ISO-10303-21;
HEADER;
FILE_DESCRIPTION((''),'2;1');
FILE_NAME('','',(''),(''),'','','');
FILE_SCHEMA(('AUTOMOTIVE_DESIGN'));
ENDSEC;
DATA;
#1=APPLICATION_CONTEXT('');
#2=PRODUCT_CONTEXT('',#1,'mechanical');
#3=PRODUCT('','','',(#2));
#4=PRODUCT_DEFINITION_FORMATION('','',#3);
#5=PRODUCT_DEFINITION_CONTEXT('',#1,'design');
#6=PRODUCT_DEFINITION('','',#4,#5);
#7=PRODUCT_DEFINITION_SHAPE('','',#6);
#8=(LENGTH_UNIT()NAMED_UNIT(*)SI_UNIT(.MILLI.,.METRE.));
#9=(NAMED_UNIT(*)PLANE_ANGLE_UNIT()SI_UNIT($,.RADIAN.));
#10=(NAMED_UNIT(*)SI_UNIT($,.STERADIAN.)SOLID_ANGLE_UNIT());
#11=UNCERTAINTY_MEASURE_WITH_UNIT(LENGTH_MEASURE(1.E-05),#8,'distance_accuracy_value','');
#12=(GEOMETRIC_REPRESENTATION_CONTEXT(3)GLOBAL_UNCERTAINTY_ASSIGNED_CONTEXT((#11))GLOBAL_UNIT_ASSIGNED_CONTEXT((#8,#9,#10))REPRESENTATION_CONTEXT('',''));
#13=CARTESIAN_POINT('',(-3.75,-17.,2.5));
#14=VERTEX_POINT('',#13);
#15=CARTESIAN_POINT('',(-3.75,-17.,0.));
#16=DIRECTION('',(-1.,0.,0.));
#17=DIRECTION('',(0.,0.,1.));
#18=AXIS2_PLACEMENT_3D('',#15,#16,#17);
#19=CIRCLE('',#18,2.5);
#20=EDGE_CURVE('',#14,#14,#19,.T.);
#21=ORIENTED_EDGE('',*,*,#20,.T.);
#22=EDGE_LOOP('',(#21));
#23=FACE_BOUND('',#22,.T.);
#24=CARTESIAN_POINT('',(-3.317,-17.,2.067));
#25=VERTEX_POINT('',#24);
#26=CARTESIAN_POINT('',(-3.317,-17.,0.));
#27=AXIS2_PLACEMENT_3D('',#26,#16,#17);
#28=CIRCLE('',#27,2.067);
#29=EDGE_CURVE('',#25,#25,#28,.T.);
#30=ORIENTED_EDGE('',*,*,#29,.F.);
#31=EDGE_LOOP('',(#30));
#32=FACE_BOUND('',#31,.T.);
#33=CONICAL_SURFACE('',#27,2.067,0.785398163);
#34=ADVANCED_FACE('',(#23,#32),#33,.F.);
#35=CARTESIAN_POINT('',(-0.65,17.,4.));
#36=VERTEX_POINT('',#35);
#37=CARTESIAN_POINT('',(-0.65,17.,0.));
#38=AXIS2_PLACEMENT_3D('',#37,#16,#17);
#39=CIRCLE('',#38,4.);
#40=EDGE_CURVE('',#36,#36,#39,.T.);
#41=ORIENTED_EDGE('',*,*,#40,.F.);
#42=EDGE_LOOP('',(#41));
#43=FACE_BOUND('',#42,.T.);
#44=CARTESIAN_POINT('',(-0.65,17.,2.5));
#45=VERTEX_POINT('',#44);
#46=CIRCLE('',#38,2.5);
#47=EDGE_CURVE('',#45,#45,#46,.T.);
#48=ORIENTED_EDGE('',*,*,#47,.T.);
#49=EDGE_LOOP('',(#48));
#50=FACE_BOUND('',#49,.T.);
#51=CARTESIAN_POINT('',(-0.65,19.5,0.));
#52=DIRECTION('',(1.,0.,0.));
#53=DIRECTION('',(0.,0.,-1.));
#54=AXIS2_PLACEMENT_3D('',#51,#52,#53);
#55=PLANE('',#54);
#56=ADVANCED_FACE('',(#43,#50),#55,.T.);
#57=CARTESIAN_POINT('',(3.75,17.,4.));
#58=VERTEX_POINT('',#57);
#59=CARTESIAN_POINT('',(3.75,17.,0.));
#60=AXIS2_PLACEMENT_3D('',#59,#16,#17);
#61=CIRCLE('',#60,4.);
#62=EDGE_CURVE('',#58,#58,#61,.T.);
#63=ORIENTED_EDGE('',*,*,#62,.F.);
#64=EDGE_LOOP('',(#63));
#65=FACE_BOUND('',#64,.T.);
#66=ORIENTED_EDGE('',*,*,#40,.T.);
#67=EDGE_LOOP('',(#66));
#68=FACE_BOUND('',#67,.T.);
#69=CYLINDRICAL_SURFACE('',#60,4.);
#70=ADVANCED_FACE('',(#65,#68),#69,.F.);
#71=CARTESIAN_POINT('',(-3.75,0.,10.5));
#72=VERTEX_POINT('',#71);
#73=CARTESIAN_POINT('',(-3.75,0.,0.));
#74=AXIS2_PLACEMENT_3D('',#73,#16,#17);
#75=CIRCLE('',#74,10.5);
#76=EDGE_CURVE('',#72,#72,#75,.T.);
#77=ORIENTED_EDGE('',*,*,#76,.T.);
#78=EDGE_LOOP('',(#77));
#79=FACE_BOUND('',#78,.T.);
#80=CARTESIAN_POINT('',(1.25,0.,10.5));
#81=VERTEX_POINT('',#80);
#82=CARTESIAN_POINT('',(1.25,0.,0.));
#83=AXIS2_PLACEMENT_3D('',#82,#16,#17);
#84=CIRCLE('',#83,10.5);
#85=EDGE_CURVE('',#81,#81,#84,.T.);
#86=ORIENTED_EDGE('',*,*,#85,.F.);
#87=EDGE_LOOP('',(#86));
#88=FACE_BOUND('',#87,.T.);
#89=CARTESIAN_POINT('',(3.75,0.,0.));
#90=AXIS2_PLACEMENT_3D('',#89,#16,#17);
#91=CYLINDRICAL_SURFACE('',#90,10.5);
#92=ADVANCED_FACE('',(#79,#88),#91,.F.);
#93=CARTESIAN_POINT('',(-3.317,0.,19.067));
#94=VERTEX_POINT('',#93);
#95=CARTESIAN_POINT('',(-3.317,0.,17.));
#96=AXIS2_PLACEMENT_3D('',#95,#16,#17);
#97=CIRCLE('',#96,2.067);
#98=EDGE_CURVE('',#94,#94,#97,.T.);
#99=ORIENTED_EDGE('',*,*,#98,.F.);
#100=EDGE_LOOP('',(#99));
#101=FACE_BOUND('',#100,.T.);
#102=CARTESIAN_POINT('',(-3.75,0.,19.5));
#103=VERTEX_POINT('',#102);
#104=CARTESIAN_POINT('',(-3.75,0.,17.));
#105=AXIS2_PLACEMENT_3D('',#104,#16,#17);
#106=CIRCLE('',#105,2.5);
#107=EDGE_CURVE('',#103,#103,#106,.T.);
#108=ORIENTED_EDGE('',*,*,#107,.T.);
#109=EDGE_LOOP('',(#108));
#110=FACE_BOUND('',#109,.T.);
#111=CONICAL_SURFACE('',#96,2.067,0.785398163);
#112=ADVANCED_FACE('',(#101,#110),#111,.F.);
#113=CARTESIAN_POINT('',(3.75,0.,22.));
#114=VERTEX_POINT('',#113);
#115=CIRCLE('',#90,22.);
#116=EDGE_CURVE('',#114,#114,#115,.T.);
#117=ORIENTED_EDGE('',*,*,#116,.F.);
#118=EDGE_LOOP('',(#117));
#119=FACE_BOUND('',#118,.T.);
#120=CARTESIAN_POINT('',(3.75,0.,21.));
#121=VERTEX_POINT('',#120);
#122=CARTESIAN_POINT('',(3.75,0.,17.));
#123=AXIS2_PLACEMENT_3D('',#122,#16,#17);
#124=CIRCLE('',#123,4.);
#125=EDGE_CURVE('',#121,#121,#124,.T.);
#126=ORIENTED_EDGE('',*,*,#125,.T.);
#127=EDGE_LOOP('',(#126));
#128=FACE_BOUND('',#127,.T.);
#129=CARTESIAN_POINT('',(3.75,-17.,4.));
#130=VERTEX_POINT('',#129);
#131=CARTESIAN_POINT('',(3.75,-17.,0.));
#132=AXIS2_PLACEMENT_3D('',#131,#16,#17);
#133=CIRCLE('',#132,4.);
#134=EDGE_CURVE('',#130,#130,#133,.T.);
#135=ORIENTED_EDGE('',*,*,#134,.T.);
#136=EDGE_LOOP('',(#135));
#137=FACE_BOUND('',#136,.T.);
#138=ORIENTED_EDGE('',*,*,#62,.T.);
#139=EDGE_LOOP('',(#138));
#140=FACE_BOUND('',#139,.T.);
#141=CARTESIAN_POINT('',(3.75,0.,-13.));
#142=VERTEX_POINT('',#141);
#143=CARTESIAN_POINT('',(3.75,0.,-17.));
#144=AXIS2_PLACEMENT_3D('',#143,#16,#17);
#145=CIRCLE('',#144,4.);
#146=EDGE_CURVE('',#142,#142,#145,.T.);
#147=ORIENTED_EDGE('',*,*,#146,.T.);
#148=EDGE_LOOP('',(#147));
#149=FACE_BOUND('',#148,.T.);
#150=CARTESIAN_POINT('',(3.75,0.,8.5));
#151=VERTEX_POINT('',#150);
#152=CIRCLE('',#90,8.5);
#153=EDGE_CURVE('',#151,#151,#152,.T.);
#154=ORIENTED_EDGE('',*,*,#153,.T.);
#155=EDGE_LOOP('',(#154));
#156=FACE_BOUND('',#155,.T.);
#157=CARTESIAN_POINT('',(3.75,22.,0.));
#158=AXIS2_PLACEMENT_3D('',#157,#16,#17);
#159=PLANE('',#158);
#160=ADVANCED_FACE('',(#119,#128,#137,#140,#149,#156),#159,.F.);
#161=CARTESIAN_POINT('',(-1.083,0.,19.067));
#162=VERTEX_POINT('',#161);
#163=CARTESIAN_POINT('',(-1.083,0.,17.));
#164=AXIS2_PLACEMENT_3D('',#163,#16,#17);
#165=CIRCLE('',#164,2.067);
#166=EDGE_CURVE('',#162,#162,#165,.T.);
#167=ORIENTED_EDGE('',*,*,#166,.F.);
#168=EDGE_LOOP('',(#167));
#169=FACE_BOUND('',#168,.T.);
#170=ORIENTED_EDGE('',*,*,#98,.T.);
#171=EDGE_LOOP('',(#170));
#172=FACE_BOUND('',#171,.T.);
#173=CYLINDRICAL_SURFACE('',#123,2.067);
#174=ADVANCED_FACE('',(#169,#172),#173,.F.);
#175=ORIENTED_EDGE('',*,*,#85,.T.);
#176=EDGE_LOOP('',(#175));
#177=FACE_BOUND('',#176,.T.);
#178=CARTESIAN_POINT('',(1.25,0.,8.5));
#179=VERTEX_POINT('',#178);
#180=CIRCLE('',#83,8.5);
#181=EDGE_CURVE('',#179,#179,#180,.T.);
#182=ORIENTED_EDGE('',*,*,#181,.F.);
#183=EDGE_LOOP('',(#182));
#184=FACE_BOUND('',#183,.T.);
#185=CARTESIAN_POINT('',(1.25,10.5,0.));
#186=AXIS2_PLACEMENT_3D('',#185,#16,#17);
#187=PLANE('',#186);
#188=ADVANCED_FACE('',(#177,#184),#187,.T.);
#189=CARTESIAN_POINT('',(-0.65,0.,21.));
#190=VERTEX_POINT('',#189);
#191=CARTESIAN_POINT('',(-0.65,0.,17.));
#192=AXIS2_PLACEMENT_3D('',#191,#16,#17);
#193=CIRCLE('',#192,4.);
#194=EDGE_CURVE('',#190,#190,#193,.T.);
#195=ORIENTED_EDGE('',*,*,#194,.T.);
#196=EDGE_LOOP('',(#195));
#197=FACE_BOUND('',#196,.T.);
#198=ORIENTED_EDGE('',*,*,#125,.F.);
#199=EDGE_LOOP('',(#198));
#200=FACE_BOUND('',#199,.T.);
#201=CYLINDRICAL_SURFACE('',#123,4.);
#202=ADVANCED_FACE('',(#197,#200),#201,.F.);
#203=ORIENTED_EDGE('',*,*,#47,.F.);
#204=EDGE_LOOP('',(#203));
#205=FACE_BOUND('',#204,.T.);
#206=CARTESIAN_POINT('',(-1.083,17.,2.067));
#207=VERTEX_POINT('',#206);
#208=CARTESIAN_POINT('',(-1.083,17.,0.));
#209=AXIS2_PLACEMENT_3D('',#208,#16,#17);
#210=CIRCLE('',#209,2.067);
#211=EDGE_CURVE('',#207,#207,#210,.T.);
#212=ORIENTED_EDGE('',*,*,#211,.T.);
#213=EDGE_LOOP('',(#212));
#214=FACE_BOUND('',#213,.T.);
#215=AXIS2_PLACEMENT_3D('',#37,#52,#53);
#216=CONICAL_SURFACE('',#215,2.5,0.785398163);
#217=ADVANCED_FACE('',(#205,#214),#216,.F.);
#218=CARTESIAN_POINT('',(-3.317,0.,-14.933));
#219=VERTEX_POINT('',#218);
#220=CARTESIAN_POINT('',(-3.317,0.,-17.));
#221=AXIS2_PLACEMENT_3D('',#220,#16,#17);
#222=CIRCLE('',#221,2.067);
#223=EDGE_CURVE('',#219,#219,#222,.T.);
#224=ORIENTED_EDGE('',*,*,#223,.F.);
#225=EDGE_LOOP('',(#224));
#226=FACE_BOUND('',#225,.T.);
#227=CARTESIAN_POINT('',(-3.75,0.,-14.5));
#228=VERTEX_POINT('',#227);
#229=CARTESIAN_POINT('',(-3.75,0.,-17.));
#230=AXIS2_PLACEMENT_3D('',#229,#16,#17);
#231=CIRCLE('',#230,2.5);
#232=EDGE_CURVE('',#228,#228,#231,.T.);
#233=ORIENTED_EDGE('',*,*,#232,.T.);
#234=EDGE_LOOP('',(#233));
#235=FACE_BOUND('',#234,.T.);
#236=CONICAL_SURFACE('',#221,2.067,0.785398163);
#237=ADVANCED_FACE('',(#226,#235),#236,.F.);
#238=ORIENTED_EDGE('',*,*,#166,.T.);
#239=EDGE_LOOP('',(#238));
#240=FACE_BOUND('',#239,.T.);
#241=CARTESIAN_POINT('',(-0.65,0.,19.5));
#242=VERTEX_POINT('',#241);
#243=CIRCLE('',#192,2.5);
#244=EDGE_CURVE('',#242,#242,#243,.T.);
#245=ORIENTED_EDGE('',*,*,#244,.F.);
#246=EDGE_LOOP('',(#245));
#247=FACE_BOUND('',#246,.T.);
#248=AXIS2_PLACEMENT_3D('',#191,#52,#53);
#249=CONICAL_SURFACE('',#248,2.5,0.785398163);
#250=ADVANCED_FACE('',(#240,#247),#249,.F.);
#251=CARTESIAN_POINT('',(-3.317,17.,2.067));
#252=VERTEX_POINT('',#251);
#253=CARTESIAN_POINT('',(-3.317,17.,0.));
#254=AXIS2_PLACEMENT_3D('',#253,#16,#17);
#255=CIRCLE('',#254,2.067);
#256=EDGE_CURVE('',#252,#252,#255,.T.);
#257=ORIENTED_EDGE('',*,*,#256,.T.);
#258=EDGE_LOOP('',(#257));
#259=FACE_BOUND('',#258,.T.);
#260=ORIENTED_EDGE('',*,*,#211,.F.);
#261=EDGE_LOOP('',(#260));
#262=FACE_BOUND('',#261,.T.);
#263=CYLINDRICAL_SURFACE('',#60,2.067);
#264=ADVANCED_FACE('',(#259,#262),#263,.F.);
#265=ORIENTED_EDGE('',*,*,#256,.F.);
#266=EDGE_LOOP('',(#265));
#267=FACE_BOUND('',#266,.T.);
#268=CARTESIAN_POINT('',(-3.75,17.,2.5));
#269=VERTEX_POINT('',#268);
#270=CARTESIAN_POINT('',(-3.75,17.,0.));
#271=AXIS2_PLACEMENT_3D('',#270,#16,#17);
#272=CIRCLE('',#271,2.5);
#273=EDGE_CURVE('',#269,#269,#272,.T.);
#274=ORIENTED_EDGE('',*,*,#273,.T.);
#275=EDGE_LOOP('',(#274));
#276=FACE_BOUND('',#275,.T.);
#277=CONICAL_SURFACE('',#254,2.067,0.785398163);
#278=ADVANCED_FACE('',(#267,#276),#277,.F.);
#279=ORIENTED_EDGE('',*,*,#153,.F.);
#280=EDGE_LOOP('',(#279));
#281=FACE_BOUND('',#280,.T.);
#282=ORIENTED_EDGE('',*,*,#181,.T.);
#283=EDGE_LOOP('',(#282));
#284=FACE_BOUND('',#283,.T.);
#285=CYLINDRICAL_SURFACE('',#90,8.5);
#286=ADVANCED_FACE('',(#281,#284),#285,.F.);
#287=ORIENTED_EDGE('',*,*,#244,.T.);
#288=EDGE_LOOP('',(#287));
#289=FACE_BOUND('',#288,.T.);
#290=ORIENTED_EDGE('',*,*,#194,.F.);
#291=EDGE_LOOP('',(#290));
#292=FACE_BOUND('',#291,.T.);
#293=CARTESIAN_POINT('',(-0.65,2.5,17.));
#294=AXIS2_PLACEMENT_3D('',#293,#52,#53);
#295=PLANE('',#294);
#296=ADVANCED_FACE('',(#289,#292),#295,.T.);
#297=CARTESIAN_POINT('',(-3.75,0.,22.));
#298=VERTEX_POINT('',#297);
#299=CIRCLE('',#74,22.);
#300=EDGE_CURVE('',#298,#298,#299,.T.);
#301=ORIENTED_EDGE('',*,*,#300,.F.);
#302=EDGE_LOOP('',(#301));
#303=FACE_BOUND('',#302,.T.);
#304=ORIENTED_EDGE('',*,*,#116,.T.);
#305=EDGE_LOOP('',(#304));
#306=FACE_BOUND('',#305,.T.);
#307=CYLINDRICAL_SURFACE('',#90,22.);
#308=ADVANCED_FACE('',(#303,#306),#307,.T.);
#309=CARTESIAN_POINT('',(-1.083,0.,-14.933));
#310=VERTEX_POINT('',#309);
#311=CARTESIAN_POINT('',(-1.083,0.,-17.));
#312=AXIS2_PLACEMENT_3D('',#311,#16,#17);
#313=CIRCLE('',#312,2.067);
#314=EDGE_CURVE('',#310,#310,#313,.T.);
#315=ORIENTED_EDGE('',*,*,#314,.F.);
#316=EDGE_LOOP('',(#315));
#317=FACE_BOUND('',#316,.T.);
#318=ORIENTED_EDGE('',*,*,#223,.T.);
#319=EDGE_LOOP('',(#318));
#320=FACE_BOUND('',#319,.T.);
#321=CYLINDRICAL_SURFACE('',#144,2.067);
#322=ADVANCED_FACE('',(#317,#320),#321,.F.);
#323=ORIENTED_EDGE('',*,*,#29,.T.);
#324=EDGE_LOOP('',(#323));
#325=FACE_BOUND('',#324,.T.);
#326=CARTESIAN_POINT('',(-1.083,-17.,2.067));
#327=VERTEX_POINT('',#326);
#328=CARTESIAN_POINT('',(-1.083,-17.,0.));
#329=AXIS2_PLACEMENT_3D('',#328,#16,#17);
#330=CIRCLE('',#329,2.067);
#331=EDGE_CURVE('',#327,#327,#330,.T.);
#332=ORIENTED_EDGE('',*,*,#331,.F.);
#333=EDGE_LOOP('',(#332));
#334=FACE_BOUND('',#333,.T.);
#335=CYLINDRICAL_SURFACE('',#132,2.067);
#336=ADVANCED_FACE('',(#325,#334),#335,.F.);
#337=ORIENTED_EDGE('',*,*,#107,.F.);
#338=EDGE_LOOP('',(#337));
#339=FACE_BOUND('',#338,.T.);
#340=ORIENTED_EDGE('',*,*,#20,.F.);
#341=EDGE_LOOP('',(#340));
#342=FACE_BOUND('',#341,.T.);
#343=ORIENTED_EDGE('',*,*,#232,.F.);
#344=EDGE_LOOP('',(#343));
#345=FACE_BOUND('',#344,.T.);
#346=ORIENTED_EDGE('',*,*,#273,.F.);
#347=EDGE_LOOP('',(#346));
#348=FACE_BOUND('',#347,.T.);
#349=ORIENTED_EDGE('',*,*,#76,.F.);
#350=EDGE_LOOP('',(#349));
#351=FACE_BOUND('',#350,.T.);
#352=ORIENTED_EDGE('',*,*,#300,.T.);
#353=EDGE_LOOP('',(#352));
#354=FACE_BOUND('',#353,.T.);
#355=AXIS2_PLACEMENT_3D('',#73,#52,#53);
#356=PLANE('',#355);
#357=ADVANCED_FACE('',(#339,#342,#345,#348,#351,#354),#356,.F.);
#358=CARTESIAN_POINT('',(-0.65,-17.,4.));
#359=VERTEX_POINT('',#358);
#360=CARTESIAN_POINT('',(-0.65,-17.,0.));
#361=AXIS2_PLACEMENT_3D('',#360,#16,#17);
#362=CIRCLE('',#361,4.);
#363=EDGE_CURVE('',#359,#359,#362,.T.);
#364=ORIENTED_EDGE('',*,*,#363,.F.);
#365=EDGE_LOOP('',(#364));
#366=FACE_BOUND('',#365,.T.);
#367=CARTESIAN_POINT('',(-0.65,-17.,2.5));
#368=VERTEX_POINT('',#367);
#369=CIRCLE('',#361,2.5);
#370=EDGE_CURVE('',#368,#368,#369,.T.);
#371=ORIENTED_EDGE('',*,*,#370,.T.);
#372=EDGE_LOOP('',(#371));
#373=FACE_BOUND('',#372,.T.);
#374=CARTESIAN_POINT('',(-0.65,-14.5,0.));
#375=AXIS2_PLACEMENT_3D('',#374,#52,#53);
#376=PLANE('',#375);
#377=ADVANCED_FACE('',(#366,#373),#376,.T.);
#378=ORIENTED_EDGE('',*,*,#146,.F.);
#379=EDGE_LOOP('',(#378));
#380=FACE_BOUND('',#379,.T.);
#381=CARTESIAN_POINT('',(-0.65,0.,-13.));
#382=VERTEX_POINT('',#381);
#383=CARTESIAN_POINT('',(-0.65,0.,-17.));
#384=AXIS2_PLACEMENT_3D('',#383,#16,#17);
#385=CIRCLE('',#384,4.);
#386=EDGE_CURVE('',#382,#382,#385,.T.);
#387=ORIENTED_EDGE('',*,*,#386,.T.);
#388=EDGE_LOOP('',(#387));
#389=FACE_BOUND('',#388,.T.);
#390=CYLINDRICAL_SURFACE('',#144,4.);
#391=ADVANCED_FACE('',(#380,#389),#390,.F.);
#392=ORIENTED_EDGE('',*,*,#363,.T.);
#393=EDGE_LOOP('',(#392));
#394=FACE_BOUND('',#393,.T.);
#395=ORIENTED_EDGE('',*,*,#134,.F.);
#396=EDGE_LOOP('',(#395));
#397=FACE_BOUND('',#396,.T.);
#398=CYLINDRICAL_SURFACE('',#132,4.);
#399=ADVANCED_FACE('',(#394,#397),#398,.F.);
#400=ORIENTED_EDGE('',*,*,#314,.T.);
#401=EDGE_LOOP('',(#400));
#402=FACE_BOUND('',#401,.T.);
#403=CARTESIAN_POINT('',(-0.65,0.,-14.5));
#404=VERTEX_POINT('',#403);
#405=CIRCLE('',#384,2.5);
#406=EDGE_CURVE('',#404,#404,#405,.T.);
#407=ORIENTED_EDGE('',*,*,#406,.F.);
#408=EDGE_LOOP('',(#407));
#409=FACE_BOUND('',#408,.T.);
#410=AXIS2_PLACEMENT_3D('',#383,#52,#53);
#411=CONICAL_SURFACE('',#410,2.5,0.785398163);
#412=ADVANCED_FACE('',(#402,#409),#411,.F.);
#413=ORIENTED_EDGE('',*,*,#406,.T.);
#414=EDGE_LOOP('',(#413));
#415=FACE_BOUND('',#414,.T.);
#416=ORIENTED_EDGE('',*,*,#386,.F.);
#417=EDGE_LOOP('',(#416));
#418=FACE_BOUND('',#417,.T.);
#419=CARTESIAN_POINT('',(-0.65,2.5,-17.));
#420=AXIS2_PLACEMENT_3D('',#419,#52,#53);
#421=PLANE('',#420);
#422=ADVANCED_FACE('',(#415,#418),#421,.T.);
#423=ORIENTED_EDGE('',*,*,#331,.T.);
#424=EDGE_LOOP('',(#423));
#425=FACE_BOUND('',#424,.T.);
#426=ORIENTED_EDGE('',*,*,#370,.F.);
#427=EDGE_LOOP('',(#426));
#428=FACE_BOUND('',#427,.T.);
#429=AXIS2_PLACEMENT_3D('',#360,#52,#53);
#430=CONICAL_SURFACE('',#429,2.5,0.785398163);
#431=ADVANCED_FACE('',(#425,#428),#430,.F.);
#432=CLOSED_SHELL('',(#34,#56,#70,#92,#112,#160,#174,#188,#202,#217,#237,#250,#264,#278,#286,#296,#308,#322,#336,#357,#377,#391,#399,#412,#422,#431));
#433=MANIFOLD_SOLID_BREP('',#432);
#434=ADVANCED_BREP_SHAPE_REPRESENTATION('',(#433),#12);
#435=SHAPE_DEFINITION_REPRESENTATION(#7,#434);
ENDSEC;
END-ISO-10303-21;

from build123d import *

# Parameters (mm, degrees)
SKETCH_1_W = 7.5
SKETCH_1_H = 22


with BuildPart() as part:
    # ｽｹｯﾁ1 → 回転1 (revolve)
    with BuildSketch(Plane.XY, mode=Mode.PRIVATE) as revolve_1_sk:
        with Locations((0, 11)):
            Rectangle(SKETCH_1_W, SKETCH_1_H)
    revolve(revolve_1_sk.sketch.rotate(Axis((3.75, 0, 0), (-1, 0, 0)), 270), axis=Axis((3.75, 0, 0), (-1, 0, 0)))

    # ｽｹｯﾁ2 → ｶｯﾄ - 回転1 (revolve, cut)
    with BuildSketch(Plane.XY, mode=Mode.PRIVATE) as cut_revolve_1_sk:
        Polygon((-3.75, 0), (-3.75, 10.5), (1.25, 10.5), (1.25, 8.5), (3.75, 8.5), (3.75, 0), align=None)
    revolve(cut_revolve_1_sk.sketch.rotate(Axis((3.75, 0, 0), (-1, 0, 0)), 270), axis=Axis((3.75, 0, 0), (-1, 0, 0)), mode=Mode.SUBTRACT)

    # ｽｹｯﾁ3 → ｶｯﾄ - 回転2 (revolve, cut)
    with BuildSketch(Plane.XY, mode=Mode.PRIVATE) as cut_revolve_2_sk:
        Polygon((-3.75, 17), (-3.75, 19.5), (-3.317, 19.067), (-1.083, 19.067), (-0.65, 19.5), (-0.65, 21), (3.75, 21), (3.75, 17), align=None)
    revolve(cut_revolve_2_sk.sketch.rotate(Axis((3.75, 17, 0), (-1, 0, 0)), 270), axis=Axis((3.75, 17, 0), (-1, 0, 0)), mode=Mode.SUBTRACT)

    # ｽｹｯﾁ4 → ｶｯﾄ - 回転3 (revolve, cut)
    with BuildSketch(Plane.XY.offset(17), mode=Mode.PRIVATE) as cut_revolve_3_sk:
        Polygon((-3.75, 0), (-3.75, 2.5), (-3.317, 2.067), (-1.083, 2.067), (-0.65, 2.5), (-0.65, 4), (3.75, 4), (3.75, 0), align=None)
    revolve(cut_revolve_3_sk.sketch.rotate(Axis((3.75, 0, 17), (-1, 0, 0)), 270), axis=Axis((3.75, 0, 17), (-1, 0, 0)), mode=Mode.SUBTRACT)

    # ｽｹｯﾁ5 → ｶｯﾄ - 回転4 (revolve, cut)
    with BuildSketch(Plane.XY, mode=Mode.PRIVATE) as cut_revolve_4_sk:
        Polygon((-3.75, -17), (-3.75, -14.5), (-3.317, -14.933), (-1.083, -14.933), (-0.65, -14.5), (-0.65, -13), (3.75, -13), (3.75, -17), align=None)
    revolve(cut_revolve_4_sk.sketch.rotate(Axis((3.75, -17, 0), (-1, 0, 0)), 270), axis=Axis((3.75, -17, 0), (-1, 0, 0)), mode=Mode.SUBTRACT)

    # ｽｹｯﾁ6 → ｶｯﾄ - 回転5 (revolve, cut)
    with BuildSketch(Plane.XY.offset(-17), mode=Mode.PRIVATE) as cut_revolve_5_sk:
        Polygon((-3.75, 0), (-3.75, 2.5), (-3.317, 2.067), (-1.083, 2.067), (-0.65, 2.5), (-0.65, 4), (3.75, 4), (3.75, 0), align=None)
    revolve(cut_revolve_5_sk.sketch.rotate(Axis((3.75, 0, -17), (-1, 0, 0)), 270), axis=Axis((3.75, 0, -17), (-1, 0, 0)), mode=Mode.SUBTRACT)


solid = part.part
